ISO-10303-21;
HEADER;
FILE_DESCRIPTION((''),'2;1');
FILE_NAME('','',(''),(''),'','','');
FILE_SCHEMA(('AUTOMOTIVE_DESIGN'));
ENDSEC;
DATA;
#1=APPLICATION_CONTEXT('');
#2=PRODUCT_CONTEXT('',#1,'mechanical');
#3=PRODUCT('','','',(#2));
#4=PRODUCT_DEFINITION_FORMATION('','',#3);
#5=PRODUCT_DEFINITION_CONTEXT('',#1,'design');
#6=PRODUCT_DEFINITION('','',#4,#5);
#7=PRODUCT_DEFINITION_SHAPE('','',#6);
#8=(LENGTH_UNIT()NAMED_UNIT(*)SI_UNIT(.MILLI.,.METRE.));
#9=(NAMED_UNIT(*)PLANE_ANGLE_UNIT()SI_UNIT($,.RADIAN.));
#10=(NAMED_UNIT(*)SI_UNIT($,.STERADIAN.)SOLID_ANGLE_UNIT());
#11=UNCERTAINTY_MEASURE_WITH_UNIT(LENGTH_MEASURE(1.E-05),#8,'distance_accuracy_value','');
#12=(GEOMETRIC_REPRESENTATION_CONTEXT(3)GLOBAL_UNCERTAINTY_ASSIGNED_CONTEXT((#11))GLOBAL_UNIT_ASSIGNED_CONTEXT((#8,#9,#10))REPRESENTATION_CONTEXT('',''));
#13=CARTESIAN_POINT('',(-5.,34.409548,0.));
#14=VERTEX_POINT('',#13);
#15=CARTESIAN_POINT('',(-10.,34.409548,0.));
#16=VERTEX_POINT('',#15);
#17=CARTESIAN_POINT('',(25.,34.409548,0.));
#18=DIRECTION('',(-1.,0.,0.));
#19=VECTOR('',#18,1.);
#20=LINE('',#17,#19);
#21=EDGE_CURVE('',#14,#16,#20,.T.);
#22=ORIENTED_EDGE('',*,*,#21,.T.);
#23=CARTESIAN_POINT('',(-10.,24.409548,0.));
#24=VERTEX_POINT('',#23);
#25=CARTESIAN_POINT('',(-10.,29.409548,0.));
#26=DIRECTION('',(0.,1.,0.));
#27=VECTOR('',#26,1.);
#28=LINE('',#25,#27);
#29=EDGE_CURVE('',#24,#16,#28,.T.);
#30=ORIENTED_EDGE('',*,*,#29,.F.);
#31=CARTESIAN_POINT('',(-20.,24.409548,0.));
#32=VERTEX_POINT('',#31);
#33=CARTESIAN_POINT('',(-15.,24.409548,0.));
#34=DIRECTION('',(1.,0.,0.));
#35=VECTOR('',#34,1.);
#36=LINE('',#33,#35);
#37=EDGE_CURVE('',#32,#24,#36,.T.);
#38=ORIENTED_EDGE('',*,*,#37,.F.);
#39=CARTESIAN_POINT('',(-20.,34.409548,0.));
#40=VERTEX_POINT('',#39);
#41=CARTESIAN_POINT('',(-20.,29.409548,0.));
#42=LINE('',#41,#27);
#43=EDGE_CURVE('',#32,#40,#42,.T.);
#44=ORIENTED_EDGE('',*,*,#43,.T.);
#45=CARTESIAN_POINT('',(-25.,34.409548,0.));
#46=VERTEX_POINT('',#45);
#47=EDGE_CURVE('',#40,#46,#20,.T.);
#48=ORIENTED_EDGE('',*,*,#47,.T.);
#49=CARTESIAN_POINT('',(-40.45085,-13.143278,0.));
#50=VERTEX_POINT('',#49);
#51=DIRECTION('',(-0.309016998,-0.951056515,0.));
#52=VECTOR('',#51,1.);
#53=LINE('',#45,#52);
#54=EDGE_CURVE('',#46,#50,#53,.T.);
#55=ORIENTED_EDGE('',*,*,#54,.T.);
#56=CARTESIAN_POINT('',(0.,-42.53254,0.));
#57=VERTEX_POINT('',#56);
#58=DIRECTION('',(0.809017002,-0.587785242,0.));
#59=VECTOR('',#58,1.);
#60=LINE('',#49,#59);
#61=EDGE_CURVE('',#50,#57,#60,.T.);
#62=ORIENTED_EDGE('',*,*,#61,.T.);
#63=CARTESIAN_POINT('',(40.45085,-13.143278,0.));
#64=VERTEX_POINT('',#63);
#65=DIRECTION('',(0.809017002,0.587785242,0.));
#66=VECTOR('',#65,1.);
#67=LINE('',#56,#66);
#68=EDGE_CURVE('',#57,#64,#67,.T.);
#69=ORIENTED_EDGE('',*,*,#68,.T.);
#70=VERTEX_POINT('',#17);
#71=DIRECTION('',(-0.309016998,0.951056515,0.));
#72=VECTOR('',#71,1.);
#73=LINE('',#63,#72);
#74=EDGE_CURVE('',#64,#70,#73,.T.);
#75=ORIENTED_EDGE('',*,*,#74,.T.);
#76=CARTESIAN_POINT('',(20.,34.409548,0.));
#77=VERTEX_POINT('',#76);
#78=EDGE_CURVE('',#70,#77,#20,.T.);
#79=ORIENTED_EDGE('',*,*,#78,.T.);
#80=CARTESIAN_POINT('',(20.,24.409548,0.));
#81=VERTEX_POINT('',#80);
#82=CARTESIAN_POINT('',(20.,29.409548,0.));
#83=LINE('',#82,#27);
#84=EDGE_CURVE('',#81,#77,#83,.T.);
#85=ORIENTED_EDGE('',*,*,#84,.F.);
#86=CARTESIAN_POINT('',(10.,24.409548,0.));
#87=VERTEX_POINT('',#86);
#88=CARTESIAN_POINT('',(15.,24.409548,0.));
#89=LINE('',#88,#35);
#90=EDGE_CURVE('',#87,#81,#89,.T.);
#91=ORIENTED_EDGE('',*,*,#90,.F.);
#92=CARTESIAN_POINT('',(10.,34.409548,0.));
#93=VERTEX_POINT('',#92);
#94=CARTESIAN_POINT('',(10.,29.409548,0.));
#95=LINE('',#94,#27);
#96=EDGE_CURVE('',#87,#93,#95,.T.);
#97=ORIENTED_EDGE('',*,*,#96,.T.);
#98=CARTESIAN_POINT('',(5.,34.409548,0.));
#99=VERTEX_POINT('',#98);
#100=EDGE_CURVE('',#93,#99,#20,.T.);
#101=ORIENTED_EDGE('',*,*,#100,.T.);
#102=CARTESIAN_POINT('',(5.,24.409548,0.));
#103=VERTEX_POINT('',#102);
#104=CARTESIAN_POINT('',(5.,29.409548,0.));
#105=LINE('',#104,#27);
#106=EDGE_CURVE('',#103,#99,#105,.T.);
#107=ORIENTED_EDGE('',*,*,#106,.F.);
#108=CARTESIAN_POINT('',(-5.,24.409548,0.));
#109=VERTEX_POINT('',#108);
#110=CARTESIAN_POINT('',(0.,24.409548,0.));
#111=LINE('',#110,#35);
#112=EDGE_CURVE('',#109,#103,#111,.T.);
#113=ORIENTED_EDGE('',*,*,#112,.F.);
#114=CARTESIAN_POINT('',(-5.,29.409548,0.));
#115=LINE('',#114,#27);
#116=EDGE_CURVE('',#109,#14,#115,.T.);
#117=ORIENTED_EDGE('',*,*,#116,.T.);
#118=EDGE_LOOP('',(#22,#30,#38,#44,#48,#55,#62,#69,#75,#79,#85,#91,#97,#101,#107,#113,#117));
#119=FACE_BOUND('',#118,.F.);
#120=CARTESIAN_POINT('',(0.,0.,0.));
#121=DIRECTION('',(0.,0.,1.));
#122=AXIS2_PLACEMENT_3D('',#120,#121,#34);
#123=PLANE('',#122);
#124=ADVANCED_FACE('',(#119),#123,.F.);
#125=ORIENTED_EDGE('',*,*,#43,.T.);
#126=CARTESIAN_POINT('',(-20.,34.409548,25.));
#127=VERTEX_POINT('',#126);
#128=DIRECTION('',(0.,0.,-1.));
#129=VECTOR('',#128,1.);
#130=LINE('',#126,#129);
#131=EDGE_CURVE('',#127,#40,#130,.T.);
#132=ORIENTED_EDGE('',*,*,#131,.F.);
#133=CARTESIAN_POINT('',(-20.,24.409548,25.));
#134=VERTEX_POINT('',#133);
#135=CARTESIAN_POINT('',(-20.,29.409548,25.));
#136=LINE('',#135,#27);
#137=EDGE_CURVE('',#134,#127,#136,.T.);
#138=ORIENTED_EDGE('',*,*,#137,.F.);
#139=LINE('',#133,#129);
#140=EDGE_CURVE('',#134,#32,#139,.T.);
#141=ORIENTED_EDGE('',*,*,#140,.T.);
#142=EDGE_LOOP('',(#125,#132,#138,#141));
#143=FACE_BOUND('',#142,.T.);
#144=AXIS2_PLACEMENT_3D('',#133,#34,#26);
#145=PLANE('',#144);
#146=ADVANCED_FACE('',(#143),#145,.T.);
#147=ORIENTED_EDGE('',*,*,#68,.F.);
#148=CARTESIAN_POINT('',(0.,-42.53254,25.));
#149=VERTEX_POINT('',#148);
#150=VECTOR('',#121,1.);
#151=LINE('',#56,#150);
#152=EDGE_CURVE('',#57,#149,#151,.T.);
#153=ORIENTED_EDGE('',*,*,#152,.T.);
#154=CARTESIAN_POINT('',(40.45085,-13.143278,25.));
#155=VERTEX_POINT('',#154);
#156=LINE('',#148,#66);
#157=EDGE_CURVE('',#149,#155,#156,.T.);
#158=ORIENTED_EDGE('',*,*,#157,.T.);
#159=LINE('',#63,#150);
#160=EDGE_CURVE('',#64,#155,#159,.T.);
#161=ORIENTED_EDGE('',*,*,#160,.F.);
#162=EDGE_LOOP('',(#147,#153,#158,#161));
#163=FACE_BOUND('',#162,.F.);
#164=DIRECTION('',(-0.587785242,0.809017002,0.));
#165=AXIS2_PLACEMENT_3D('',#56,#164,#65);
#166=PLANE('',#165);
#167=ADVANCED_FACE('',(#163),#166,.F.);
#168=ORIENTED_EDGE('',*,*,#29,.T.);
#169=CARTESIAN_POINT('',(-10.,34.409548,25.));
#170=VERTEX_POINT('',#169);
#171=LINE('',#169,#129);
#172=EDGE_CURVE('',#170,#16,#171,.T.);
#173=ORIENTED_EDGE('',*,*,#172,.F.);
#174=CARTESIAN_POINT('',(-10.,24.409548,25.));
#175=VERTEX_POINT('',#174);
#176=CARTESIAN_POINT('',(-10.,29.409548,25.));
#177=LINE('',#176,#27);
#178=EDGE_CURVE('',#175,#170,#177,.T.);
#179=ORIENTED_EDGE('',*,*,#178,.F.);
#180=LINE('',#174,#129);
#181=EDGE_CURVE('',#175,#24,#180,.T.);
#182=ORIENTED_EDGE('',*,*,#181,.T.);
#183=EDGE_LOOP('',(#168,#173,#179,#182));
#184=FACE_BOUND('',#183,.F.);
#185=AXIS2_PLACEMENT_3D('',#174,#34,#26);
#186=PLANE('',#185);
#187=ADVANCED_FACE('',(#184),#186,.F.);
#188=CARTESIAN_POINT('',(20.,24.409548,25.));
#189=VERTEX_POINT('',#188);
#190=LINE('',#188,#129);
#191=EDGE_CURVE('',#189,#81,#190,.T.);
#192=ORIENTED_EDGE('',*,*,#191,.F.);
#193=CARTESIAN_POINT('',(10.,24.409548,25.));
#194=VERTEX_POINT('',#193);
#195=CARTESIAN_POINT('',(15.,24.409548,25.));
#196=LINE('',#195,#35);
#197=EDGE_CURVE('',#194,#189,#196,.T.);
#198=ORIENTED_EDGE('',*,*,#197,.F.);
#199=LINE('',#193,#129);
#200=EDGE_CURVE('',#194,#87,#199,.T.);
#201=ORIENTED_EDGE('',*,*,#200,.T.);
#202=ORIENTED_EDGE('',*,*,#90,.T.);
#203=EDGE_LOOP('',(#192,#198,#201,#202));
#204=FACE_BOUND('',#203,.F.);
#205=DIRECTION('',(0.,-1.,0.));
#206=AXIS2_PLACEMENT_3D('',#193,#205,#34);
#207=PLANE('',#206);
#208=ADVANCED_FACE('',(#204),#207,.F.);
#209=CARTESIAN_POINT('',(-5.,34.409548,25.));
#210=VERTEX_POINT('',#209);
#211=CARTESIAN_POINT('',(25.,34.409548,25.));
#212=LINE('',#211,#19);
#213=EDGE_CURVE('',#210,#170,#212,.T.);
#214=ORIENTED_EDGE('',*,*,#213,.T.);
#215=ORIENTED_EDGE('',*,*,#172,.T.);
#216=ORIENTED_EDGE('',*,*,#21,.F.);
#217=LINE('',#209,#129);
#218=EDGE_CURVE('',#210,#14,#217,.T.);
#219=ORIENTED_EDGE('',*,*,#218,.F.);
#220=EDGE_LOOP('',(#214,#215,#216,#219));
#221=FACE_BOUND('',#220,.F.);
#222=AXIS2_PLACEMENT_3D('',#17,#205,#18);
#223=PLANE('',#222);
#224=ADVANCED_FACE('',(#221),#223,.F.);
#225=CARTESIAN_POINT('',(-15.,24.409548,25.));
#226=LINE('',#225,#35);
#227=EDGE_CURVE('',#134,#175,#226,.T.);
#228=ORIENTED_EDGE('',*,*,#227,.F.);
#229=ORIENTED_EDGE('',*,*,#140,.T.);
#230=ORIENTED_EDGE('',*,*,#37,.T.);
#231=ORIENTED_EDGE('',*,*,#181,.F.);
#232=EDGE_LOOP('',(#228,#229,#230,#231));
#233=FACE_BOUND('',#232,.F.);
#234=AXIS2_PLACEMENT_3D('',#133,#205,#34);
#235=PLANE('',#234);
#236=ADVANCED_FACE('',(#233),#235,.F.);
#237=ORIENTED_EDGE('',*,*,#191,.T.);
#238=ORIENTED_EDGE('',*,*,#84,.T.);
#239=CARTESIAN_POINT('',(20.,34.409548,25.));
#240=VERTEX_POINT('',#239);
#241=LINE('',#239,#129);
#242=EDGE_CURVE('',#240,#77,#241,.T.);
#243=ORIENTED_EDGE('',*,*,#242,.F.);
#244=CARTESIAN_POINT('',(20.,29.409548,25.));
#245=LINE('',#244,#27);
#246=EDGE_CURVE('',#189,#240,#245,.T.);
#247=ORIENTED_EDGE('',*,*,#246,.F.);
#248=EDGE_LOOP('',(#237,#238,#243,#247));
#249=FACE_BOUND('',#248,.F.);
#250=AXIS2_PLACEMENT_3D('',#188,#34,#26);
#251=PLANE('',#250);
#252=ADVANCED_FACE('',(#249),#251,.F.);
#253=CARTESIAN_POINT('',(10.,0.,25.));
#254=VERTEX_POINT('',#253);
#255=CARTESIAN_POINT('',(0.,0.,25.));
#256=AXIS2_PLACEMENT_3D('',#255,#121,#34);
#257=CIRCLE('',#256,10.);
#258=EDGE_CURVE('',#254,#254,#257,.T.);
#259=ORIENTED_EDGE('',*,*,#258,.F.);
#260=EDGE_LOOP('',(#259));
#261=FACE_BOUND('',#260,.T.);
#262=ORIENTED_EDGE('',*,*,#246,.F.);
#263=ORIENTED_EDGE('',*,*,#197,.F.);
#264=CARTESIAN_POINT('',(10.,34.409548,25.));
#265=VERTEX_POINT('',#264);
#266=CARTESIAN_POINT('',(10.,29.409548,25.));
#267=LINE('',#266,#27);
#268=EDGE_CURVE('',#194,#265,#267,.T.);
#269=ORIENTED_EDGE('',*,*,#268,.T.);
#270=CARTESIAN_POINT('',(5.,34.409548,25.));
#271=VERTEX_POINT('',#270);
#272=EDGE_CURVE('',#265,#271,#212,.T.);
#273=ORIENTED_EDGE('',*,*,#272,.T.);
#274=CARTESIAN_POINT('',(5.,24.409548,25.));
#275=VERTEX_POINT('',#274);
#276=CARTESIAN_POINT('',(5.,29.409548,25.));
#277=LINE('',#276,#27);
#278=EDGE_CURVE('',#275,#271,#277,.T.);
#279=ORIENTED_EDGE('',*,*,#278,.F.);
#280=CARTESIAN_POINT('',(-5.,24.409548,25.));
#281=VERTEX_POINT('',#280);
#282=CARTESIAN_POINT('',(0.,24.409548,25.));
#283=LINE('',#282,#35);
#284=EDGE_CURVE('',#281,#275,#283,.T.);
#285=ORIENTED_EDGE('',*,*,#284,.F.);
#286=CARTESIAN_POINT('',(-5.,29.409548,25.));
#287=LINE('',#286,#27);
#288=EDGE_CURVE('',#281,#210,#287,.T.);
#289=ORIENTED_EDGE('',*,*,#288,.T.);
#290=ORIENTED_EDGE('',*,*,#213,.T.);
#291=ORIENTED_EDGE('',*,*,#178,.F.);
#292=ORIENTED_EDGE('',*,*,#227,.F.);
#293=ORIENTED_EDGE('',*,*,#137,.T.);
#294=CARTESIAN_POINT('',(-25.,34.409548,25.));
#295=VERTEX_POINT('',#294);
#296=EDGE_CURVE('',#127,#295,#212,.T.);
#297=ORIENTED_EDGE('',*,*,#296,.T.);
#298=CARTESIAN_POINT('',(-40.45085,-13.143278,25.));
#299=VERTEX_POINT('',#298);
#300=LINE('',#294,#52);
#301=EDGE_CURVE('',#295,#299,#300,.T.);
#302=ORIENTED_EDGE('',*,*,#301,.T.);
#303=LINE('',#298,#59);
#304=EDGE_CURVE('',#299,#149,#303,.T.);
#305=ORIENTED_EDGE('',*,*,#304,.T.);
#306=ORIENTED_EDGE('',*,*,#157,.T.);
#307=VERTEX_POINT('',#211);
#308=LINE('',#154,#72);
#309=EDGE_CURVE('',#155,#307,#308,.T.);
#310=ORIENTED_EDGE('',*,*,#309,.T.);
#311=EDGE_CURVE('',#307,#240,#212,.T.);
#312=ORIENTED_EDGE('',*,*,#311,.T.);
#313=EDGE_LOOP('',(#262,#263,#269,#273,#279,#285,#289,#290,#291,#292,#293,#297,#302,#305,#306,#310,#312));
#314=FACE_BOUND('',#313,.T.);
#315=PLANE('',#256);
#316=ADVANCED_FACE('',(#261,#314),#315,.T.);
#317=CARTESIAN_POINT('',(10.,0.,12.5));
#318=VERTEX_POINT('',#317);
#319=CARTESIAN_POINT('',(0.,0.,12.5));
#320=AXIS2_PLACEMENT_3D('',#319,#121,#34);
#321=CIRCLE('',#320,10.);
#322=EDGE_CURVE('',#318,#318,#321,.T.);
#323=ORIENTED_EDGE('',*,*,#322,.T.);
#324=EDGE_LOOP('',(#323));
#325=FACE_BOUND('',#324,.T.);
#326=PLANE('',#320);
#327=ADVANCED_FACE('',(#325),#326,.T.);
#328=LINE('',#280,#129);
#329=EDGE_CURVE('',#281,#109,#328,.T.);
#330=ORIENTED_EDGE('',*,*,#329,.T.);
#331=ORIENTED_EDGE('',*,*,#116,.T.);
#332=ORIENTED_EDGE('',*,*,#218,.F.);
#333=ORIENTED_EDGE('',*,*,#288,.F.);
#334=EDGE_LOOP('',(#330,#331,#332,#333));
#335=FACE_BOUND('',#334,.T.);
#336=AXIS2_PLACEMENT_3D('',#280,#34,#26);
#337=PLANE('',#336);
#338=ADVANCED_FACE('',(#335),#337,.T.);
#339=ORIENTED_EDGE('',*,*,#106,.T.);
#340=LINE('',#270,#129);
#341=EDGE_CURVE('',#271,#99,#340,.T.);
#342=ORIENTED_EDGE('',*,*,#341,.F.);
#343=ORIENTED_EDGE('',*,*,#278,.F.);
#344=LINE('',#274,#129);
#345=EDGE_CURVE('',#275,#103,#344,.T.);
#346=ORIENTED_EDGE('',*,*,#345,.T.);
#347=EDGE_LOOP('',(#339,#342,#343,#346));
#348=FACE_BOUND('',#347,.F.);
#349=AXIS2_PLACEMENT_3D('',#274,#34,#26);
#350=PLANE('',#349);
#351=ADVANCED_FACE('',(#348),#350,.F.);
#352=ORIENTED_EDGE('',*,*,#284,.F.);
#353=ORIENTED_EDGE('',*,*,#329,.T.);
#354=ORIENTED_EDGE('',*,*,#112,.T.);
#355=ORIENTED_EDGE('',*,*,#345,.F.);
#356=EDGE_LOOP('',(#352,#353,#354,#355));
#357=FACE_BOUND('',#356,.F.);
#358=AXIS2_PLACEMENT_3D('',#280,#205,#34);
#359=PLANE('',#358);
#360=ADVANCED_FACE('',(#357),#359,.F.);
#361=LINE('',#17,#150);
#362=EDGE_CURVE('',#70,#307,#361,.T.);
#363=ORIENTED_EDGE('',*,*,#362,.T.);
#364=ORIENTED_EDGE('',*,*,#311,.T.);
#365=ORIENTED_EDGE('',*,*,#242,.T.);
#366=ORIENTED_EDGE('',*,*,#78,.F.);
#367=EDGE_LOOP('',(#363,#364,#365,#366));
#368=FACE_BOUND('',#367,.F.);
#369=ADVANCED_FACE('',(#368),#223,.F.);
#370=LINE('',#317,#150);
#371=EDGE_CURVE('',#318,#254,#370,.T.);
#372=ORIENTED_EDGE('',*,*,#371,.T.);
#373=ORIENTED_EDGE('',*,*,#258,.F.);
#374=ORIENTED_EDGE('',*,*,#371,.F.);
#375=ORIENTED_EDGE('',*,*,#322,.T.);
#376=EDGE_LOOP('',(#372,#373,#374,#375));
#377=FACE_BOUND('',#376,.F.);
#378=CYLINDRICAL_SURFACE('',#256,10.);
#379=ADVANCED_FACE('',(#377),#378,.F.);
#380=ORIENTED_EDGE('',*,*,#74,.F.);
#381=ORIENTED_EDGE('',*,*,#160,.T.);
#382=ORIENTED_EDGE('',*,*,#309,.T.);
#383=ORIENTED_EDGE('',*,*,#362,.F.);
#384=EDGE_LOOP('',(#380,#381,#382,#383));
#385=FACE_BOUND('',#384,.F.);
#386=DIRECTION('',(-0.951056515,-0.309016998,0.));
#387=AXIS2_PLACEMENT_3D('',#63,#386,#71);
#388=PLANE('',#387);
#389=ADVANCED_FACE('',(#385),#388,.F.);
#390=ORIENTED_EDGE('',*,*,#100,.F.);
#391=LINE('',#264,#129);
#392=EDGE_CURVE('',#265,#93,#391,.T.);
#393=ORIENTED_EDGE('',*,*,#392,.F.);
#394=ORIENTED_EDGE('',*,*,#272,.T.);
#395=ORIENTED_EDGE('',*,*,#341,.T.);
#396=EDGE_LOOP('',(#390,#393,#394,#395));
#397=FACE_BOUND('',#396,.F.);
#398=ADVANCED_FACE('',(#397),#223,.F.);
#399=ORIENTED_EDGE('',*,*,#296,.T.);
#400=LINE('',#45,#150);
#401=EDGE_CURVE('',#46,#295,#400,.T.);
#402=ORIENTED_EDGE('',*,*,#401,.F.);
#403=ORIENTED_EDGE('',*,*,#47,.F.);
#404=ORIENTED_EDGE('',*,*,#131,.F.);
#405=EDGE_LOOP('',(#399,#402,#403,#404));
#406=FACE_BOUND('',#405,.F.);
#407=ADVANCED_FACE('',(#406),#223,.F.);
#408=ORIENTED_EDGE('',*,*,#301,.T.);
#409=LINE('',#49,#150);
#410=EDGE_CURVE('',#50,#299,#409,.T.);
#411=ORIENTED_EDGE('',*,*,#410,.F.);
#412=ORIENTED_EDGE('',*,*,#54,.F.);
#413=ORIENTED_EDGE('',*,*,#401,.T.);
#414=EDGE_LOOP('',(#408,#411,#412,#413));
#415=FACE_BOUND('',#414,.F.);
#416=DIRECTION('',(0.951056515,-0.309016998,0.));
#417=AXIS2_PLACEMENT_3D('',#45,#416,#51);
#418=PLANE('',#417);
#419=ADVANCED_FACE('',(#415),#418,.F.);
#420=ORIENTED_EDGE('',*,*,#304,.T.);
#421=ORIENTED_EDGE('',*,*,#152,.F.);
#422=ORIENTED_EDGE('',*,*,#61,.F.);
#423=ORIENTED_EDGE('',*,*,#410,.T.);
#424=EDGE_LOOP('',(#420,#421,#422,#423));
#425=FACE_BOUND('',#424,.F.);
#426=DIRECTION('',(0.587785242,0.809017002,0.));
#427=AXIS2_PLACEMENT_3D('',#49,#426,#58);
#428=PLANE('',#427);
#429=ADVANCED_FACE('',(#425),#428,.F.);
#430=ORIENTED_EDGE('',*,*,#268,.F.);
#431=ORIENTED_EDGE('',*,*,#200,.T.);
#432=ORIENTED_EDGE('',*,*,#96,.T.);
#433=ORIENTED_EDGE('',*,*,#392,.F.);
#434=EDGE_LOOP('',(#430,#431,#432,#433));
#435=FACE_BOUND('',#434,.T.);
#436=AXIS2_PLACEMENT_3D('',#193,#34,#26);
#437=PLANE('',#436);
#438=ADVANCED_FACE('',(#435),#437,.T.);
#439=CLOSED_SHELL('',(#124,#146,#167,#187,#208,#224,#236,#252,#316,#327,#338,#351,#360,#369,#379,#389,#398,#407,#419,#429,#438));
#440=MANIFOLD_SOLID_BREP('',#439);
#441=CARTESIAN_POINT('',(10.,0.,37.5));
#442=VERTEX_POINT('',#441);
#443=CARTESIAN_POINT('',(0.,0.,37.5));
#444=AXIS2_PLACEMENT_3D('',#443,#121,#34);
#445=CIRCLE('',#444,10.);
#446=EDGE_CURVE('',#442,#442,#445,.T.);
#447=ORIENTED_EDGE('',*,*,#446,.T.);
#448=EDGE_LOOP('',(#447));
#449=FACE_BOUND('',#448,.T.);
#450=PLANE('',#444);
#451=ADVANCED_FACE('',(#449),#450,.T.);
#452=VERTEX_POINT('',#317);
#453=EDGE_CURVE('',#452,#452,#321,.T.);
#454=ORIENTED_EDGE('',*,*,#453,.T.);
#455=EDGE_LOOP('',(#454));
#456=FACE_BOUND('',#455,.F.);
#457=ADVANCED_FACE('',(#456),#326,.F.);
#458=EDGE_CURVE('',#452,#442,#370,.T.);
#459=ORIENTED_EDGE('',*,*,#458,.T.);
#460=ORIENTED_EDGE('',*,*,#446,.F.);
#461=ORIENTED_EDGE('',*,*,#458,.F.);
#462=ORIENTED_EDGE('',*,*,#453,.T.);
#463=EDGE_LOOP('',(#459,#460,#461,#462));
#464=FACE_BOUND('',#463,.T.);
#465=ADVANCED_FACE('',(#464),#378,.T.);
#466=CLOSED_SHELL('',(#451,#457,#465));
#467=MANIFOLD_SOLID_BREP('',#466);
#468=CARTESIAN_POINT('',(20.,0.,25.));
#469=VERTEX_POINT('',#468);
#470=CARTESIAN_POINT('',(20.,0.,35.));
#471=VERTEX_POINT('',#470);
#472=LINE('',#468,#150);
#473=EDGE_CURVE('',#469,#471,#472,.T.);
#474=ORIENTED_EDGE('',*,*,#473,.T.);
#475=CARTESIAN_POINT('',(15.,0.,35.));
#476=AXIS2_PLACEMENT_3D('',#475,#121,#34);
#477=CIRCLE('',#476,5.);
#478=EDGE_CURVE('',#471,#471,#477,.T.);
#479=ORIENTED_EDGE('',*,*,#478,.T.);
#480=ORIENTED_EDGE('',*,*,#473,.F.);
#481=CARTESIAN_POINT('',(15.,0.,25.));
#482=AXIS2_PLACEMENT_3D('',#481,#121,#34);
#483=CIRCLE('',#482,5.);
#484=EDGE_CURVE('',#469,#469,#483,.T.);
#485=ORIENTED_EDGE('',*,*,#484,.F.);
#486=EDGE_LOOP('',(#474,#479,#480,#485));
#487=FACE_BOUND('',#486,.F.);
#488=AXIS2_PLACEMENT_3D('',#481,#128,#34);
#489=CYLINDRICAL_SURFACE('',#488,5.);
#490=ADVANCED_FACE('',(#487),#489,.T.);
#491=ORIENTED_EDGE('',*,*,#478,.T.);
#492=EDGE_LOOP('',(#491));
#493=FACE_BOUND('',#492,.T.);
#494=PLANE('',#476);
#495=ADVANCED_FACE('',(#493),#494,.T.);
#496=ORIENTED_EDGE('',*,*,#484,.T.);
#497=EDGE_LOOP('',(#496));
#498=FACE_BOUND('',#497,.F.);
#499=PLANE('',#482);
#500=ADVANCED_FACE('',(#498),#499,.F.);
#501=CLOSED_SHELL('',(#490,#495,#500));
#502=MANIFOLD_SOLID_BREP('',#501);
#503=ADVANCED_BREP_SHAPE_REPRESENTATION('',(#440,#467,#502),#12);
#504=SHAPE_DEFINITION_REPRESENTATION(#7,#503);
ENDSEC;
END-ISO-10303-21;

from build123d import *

# Parameters (mm, degrees)
F1_DEPTH = 25
F2_W     = 10
F2_H     = 10
F3_DEPTH = 25
F4_R     = 10
F5_DEPTH = 12.5
F7_R     = 5
F8_DEPTH = 10


with BuildPart() as f1:
    # F0 (on Top) → F1 (new body)
    with BuildSketch(Plane.XY):
        Polygon((-25, 34.409548), (-40.45085, -13.143278), (0, -42.53254), (40.45085, -13.143278), (25, 34.409548), align=None)
    extrude(amount=F1_DEPTH)

    # F2 (on face) → F3 (cut, through all)
    with BuildSketch(Plane.XY.offset(25)):
        with Locations((-15, 29.409548)):
            Rectangle(F2_W, F2_H)
        with Locations((0, 29.409548)):
            Rectangle(F2_W, F2_H)
        with Locations((15, 29.409548)):
            Rectangle(F2_W, F2_H)
    extrude(amount=-F3_DEPTH, mode=Mode.SUBTRACT)


with BuildPart() as f5:
    # F4 (on face) → F5 (new body, symmetric)
    with BuildSketch(Plane.XY.offset(25)):
        Circle(F4_R)
    extrude(amount=F5_DEPTH, both=True)


with BuildPart() as f1_1:
    add(f1.part)

    # F6: cut F5
    add(f5.part, mode=Mode.SUBTRACT)


with BuildPart() as f8:
    # F7 (on face) → F8 (new body)
    with BuildSketch(Plane.XY.offset(25)):
        with Locations((15, 0)):
            Circle(F7_R)
    extrude(amount=F8_DEPTH)


solid = Compound([f5.part, f1_1.part, f8.part])
